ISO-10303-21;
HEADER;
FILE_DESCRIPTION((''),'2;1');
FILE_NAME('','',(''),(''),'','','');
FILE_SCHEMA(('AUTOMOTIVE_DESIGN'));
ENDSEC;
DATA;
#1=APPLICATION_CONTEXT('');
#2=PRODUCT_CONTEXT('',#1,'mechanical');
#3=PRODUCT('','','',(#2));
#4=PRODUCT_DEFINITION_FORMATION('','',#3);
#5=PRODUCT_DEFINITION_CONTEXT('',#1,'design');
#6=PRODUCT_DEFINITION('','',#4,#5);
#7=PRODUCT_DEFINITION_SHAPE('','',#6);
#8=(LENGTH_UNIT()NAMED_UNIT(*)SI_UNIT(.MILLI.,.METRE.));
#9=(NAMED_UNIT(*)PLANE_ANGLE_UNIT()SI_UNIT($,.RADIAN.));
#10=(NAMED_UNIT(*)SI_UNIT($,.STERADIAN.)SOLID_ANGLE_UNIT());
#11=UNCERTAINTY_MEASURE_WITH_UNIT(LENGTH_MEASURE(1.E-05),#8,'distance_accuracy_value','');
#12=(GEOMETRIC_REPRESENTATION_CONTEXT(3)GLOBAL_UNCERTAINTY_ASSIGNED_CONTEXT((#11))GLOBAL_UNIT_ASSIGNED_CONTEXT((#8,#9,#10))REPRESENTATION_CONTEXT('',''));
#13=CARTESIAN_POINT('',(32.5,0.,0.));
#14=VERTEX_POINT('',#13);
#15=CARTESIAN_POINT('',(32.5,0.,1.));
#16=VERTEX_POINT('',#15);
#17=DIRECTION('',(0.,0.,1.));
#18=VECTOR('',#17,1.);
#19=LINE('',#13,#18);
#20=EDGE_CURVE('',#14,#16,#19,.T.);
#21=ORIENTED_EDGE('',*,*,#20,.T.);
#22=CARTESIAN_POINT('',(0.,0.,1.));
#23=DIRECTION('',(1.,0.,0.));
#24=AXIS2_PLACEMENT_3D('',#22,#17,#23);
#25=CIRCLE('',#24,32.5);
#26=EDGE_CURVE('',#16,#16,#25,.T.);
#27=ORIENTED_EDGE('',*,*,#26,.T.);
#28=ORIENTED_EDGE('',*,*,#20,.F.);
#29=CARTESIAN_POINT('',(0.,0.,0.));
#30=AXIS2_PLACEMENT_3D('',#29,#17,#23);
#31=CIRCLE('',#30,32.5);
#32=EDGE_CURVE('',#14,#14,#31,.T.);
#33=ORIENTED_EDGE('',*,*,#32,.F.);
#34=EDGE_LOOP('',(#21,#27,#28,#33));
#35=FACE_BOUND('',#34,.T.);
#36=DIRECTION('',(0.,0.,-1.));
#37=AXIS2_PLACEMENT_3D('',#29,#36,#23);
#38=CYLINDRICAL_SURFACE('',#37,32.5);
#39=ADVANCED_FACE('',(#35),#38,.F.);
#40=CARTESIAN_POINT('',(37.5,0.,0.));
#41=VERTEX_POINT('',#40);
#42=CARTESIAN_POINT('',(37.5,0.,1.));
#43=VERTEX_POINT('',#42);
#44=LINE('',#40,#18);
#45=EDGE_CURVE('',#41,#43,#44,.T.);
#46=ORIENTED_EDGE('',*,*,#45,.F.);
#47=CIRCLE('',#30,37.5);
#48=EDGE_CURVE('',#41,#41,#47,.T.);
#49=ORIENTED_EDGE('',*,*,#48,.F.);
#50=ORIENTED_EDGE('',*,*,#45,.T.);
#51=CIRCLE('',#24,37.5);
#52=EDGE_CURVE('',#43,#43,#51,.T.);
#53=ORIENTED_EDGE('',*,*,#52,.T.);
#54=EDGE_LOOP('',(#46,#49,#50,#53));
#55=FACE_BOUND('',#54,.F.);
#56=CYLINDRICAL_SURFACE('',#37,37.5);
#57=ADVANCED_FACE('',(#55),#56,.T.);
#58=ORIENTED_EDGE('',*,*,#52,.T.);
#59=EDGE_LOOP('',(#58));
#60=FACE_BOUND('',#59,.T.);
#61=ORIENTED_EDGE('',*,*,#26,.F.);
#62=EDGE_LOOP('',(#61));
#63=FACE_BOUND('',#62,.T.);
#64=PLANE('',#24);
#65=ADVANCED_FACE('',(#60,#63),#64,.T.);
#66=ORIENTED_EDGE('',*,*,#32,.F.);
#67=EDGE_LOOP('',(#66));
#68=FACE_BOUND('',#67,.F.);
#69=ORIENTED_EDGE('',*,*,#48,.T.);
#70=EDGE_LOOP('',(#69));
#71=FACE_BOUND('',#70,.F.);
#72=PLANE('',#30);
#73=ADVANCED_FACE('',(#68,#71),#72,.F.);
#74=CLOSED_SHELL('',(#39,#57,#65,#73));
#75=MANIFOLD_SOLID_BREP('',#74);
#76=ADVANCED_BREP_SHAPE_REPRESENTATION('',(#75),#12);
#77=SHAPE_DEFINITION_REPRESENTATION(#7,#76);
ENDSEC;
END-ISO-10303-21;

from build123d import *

# Parameters (mm, degrees)
SKETCH_R   = 37.5
SKETCH_R_2 = 32.5
PAD_DEPTH  = 1


with BuildPart() as part:
    # Sketch → Pad (new body)
    with BuildSketch(Plane.XY):
        Circle(SKETCH_R)
        Circle(SKETCH_R_2, mode=Mode.SUBTRACT)
    extrude(amount=PAD_DEPTH)


solid = part.part
